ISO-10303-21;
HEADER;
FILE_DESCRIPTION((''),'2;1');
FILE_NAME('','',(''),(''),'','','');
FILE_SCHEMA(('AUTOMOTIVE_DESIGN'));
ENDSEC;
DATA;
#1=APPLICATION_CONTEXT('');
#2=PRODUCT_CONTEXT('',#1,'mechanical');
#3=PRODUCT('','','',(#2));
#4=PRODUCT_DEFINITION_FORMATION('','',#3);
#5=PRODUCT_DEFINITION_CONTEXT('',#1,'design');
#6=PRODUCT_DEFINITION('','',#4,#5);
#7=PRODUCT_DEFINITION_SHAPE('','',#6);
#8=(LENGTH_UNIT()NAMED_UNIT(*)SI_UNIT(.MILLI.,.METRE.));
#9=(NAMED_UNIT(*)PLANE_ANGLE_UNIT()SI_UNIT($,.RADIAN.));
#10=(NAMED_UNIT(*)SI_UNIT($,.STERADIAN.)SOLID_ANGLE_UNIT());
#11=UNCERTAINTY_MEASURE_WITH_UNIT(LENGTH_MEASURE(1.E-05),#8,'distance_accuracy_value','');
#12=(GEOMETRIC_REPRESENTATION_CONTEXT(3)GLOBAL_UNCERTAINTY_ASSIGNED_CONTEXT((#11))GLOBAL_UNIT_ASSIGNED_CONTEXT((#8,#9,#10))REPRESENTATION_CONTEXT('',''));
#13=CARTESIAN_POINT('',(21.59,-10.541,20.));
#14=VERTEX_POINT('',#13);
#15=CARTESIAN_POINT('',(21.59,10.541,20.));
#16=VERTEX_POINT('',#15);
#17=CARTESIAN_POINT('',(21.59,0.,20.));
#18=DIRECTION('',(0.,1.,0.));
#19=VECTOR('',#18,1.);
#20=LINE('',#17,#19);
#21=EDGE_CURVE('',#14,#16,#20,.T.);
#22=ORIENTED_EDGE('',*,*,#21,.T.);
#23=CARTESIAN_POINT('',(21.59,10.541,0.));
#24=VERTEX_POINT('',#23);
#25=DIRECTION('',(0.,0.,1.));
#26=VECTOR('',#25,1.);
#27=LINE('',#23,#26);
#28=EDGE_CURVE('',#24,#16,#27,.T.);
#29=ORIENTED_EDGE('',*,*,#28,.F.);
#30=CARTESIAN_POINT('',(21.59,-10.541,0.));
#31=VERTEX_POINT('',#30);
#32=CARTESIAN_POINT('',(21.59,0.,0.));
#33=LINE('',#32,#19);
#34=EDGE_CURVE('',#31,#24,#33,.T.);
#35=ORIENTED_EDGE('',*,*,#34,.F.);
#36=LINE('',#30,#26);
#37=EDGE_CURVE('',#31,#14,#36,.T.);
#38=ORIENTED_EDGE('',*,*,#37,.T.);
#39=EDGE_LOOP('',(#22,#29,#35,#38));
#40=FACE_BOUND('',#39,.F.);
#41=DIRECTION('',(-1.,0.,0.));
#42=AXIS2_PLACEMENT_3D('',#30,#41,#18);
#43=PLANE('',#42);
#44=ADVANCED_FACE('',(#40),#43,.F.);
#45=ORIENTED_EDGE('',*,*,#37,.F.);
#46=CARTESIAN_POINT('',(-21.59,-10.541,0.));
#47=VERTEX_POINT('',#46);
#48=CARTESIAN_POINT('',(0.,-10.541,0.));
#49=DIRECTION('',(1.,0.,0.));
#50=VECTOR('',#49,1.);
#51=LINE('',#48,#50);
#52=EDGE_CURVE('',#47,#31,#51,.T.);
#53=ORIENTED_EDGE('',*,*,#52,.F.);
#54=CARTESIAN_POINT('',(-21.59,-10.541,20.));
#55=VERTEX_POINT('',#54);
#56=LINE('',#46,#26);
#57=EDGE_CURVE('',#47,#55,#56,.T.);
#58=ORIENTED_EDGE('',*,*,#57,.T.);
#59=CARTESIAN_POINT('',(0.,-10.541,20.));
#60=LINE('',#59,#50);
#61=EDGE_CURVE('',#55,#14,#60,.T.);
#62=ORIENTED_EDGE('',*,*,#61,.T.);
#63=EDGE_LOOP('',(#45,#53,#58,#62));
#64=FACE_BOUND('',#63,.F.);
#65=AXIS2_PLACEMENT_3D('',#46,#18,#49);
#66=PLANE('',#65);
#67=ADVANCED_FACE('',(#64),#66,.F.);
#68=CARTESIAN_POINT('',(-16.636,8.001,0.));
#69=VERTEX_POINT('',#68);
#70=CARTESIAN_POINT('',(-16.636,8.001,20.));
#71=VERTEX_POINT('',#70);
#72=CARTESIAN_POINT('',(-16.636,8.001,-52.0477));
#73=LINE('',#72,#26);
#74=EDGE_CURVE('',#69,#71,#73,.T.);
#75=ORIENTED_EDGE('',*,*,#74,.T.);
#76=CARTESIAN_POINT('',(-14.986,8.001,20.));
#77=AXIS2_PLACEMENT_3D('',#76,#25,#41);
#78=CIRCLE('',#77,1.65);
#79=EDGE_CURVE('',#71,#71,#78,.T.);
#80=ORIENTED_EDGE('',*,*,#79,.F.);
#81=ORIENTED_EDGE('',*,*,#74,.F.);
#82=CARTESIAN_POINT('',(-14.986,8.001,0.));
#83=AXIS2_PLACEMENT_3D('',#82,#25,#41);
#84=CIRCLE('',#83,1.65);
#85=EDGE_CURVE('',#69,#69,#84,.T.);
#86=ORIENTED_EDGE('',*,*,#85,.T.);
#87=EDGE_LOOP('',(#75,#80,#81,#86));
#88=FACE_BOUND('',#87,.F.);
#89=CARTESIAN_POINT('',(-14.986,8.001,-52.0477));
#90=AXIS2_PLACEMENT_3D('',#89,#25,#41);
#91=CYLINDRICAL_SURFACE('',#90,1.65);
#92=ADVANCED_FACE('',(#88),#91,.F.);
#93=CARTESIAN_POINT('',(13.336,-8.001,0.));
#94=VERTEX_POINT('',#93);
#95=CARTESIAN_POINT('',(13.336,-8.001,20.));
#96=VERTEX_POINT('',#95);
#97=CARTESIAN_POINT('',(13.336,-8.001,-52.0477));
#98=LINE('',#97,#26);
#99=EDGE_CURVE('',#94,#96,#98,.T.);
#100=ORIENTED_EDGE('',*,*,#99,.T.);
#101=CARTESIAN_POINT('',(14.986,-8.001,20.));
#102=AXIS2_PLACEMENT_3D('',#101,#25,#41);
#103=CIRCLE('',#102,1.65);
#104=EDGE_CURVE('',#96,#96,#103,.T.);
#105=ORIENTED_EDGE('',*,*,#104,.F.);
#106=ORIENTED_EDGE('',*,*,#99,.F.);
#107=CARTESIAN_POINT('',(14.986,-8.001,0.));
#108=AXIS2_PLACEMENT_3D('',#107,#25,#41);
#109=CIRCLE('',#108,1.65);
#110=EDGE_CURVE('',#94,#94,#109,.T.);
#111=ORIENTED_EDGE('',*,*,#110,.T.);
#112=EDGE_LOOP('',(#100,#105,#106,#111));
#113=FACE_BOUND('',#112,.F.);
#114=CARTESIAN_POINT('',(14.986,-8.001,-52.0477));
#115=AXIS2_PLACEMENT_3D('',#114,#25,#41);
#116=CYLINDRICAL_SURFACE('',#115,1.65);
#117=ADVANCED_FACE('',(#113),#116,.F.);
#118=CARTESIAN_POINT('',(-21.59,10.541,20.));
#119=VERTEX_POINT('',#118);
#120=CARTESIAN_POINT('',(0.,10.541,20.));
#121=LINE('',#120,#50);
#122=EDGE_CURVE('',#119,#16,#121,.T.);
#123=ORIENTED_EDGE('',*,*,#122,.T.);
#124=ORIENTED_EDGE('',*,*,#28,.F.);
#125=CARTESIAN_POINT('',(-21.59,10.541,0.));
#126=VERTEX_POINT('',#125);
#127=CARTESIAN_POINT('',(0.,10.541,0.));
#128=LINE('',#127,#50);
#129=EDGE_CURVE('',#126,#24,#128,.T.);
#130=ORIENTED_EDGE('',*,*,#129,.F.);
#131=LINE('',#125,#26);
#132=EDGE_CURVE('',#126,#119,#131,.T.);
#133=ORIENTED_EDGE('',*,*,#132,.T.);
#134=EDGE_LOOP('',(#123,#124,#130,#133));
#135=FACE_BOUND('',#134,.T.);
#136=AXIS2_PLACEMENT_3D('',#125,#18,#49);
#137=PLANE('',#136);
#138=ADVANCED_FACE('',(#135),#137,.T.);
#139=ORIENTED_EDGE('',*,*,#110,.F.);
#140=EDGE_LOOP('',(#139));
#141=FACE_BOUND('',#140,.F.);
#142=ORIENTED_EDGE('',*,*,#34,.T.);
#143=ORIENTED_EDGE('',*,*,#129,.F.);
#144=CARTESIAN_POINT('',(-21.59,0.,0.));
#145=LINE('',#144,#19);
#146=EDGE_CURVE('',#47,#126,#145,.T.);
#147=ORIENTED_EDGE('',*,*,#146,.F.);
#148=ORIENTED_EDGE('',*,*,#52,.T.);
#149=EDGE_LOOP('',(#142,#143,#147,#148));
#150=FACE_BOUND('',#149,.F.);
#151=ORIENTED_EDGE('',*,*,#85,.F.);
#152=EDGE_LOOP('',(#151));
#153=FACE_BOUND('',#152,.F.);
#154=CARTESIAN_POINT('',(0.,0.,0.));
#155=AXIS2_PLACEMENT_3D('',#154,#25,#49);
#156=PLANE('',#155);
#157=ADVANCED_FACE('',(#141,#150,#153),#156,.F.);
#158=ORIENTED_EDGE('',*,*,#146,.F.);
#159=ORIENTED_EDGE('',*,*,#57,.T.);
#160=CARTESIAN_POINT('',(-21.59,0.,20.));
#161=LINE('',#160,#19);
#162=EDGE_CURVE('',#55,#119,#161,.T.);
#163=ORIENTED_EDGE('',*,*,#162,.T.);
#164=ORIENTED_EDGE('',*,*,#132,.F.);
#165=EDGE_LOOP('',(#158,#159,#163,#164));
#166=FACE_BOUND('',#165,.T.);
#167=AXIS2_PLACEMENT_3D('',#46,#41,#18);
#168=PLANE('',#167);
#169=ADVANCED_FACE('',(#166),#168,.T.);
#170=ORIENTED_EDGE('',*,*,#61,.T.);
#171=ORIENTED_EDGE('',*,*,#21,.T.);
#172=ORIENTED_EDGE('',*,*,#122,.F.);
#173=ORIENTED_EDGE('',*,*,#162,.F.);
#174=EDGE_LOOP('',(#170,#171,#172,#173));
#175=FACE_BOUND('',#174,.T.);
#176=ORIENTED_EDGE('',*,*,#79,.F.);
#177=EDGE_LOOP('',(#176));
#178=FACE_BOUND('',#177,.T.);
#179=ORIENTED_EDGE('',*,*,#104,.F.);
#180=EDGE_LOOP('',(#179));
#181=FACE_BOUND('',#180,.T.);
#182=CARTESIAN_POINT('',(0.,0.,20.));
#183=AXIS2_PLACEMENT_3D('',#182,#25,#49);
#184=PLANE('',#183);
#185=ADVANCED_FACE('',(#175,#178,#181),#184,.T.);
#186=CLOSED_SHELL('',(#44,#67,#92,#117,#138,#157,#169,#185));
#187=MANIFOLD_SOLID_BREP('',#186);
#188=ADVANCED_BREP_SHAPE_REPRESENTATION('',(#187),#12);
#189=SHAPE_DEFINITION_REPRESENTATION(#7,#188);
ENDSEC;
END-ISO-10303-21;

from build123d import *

# Parameters (mm, degrees)
F0_W     = 43.18
F0_H     = 21.082
F1_DEPTH = 20
F2_D     = 3.3


with BuildPart() as f1:
    # F0 (on Top) → F1 (new body)
    with BuildSketch(Plane.XY):
        Rectangle(F0_W, F0_H)
    extrude(amount=F1_DEPTH)

    # F2 (through all)
    with Locations(Plane(origin=(0, 0, 0), x_dir=(1, 0, 0), z_dir=(0, 0, -1))):
        with Locations((-14.986, -8.001), (14.986, 8.001)):
            Hole(F2_D / 2)


solid = f1.part
